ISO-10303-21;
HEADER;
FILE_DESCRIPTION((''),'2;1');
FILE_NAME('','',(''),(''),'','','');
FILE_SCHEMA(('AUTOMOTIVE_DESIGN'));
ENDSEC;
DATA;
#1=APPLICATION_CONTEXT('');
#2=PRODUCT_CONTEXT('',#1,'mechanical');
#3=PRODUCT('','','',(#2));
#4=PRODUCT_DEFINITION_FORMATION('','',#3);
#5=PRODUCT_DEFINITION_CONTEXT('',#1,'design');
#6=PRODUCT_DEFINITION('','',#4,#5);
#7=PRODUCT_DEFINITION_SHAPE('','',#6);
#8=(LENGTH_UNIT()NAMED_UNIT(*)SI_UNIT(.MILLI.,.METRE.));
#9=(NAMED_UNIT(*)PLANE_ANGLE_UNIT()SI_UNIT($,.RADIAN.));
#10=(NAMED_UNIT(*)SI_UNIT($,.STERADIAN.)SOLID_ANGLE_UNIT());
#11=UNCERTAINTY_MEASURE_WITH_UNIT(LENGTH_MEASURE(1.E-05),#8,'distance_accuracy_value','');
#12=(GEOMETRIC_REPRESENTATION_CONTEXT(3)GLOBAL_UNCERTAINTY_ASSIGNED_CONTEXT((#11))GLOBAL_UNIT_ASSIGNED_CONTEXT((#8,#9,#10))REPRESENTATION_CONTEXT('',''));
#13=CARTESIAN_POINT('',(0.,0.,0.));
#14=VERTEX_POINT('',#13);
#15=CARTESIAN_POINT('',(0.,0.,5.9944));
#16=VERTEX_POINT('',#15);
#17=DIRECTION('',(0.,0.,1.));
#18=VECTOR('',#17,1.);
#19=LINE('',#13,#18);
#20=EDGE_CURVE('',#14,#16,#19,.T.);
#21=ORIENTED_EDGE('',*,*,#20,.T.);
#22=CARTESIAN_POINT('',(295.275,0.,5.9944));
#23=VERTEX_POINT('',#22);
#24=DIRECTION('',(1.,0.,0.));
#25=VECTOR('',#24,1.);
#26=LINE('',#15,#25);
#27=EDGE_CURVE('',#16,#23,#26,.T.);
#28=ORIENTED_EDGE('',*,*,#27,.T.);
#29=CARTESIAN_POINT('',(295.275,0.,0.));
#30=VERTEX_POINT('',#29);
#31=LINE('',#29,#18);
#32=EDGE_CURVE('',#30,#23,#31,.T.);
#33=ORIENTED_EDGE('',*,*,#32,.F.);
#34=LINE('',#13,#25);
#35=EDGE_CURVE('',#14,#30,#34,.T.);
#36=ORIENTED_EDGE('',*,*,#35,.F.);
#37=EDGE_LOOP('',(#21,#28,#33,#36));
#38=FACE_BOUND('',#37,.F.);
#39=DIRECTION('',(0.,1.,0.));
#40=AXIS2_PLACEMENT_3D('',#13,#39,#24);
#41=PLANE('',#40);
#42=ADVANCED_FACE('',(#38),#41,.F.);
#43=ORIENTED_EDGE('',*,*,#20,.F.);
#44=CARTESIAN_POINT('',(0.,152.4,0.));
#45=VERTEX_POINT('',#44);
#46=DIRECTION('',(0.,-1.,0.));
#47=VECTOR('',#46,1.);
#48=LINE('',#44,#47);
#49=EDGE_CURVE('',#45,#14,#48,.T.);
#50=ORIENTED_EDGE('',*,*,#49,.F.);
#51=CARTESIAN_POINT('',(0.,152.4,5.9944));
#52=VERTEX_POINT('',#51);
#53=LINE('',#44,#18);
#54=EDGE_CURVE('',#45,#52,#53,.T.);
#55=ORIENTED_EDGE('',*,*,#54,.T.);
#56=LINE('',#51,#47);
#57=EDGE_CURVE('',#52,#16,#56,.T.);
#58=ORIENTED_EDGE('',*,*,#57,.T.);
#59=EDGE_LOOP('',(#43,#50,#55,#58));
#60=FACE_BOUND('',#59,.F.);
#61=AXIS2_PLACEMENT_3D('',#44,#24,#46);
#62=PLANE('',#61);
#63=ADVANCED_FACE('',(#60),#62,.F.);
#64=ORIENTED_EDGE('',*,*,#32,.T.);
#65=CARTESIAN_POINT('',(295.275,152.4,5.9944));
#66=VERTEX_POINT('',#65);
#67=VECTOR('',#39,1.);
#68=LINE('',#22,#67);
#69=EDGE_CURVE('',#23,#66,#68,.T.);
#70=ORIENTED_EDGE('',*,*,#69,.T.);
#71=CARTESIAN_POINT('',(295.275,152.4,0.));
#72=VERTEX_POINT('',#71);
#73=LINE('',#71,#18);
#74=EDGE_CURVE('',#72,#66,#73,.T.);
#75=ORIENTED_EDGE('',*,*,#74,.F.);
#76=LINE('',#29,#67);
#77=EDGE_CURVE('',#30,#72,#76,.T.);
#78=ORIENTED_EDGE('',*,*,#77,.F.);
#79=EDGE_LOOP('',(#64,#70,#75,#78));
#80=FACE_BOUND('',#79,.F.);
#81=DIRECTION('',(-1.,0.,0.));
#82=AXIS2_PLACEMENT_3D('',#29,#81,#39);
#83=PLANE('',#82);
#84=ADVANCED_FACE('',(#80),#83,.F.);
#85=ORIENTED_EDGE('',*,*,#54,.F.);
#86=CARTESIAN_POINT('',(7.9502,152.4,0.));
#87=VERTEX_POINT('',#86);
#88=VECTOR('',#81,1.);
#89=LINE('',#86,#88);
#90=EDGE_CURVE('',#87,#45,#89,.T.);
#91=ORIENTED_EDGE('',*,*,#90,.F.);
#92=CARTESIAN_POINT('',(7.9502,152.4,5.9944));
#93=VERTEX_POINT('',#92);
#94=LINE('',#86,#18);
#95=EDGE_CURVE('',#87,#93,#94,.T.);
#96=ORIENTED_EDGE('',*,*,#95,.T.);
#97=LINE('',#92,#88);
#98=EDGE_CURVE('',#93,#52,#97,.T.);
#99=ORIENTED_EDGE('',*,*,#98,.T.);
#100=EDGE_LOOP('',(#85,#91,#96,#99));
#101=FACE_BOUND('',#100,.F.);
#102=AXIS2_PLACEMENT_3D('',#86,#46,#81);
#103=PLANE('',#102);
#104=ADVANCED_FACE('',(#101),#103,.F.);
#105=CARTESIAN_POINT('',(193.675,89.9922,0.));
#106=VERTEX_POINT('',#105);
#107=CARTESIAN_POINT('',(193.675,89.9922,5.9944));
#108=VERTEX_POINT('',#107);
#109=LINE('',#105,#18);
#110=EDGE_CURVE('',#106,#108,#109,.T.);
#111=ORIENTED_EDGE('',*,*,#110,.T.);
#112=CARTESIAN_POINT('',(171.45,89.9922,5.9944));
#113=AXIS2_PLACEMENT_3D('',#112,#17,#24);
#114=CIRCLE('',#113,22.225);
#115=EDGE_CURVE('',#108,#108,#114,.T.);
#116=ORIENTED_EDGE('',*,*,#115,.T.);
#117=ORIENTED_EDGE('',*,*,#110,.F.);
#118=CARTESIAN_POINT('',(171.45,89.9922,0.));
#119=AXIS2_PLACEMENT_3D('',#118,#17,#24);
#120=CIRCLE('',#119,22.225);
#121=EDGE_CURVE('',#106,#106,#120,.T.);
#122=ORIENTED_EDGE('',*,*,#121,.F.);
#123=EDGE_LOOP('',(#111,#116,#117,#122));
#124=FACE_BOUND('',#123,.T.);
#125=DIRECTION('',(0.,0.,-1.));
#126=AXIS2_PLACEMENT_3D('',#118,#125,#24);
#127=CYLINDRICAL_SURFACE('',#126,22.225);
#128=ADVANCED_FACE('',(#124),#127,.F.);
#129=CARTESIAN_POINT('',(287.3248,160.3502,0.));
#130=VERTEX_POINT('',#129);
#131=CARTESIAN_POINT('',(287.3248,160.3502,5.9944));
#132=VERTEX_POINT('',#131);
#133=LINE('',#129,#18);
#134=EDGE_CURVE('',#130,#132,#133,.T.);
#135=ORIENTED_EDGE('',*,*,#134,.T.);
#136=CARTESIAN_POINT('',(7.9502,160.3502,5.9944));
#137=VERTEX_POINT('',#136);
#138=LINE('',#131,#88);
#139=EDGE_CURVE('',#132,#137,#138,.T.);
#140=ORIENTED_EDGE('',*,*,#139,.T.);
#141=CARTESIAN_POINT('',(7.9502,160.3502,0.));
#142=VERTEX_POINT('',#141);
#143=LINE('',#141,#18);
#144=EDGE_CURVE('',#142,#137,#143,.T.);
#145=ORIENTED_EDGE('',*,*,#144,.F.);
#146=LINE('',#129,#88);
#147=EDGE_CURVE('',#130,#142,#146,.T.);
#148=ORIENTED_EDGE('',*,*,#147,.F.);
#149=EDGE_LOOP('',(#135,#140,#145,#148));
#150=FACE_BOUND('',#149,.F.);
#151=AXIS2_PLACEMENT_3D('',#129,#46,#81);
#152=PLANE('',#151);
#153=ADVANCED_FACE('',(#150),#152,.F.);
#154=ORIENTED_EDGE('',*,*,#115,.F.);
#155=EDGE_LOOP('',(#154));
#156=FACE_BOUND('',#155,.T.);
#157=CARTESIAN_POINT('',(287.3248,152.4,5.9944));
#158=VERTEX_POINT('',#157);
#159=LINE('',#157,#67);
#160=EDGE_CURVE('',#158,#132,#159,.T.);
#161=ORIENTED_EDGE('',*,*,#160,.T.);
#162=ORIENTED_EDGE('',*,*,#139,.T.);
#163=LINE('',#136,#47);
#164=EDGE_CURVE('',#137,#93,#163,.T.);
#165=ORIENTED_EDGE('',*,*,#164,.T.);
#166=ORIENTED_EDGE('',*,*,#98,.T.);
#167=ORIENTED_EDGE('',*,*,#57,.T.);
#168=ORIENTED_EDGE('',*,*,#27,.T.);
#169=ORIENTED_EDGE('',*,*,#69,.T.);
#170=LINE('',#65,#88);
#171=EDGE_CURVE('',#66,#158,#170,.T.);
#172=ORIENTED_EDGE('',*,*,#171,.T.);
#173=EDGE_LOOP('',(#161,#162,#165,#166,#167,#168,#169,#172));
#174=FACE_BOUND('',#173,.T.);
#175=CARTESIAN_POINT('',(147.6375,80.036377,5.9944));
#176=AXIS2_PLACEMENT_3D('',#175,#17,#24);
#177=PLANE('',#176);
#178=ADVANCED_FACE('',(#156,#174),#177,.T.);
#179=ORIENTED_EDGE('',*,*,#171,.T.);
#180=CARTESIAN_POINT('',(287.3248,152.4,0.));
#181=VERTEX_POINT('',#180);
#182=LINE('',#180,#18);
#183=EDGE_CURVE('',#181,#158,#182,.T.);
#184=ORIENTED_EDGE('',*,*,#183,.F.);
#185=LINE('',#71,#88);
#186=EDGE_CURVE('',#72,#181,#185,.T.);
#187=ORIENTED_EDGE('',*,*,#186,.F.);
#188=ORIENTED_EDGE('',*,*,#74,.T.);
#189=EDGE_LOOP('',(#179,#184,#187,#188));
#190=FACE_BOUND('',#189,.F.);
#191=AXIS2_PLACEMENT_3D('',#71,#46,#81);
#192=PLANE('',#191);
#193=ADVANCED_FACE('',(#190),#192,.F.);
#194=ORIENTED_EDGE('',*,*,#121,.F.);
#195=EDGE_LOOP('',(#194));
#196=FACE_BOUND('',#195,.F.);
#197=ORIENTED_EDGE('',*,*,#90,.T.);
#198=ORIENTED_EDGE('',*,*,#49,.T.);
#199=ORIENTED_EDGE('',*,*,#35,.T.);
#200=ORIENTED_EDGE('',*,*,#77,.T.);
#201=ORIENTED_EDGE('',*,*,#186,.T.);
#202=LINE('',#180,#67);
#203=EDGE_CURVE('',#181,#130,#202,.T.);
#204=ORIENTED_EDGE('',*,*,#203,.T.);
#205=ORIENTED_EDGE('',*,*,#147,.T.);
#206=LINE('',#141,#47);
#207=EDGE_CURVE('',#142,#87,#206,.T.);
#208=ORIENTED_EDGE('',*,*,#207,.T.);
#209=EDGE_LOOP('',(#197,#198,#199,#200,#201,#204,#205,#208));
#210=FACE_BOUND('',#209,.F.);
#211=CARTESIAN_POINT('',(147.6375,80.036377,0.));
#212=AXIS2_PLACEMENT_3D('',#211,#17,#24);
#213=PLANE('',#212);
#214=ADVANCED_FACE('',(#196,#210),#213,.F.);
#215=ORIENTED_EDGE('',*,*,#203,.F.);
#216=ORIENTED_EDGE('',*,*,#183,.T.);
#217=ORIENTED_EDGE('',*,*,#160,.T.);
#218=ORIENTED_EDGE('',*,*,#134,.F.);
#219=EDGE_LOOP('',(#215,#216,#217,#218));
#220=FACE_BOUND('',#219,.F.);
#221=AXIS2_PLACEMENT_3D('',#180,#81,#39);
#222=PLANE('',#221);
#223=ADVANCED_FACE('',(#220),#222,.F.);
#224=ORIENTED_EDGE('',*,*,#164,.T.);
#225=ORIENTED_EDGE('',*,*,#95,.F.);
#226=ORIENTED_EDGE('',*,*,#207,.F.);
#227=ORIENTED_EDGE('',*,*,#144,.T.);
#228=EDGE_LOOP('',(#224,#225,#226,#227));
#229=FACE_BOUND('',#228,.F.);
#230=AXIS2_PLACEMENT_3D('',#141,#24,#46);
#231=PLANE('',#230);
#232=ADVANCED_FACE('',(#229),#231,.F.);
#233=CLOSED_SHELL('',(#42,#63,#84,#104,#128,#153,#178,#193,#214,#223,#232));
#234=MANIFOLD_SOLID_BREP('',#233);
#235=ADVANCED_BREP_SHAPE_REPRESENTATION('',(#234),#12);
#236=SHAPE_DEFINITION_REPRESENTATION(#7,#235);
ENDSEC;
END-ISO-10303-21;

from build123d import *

# Parameters (mm, degrees)
SKETCH_R      = 22.225
EXTRUDE_DEPTH = 5.9944


with BuildPart() as part:
    # Sketch → Extrude (new body)
    with BuildSketch(Plane.XY):
        Polygon((0, 0), (295.275, 0), (295.275, 152.4), (287.3248, 152.4), (287.3248, 160.3502), (7.9502, 160.3502), (7.9502, 152.4), (0, 152.4), align=None)
        with Locations((171.45, 89.9922)):
            Circle(SKETCH_R, mode=Mode.SUBTRACT)
    extrude(amount=EXTRUDE_DEPTH)


solid = part.part
